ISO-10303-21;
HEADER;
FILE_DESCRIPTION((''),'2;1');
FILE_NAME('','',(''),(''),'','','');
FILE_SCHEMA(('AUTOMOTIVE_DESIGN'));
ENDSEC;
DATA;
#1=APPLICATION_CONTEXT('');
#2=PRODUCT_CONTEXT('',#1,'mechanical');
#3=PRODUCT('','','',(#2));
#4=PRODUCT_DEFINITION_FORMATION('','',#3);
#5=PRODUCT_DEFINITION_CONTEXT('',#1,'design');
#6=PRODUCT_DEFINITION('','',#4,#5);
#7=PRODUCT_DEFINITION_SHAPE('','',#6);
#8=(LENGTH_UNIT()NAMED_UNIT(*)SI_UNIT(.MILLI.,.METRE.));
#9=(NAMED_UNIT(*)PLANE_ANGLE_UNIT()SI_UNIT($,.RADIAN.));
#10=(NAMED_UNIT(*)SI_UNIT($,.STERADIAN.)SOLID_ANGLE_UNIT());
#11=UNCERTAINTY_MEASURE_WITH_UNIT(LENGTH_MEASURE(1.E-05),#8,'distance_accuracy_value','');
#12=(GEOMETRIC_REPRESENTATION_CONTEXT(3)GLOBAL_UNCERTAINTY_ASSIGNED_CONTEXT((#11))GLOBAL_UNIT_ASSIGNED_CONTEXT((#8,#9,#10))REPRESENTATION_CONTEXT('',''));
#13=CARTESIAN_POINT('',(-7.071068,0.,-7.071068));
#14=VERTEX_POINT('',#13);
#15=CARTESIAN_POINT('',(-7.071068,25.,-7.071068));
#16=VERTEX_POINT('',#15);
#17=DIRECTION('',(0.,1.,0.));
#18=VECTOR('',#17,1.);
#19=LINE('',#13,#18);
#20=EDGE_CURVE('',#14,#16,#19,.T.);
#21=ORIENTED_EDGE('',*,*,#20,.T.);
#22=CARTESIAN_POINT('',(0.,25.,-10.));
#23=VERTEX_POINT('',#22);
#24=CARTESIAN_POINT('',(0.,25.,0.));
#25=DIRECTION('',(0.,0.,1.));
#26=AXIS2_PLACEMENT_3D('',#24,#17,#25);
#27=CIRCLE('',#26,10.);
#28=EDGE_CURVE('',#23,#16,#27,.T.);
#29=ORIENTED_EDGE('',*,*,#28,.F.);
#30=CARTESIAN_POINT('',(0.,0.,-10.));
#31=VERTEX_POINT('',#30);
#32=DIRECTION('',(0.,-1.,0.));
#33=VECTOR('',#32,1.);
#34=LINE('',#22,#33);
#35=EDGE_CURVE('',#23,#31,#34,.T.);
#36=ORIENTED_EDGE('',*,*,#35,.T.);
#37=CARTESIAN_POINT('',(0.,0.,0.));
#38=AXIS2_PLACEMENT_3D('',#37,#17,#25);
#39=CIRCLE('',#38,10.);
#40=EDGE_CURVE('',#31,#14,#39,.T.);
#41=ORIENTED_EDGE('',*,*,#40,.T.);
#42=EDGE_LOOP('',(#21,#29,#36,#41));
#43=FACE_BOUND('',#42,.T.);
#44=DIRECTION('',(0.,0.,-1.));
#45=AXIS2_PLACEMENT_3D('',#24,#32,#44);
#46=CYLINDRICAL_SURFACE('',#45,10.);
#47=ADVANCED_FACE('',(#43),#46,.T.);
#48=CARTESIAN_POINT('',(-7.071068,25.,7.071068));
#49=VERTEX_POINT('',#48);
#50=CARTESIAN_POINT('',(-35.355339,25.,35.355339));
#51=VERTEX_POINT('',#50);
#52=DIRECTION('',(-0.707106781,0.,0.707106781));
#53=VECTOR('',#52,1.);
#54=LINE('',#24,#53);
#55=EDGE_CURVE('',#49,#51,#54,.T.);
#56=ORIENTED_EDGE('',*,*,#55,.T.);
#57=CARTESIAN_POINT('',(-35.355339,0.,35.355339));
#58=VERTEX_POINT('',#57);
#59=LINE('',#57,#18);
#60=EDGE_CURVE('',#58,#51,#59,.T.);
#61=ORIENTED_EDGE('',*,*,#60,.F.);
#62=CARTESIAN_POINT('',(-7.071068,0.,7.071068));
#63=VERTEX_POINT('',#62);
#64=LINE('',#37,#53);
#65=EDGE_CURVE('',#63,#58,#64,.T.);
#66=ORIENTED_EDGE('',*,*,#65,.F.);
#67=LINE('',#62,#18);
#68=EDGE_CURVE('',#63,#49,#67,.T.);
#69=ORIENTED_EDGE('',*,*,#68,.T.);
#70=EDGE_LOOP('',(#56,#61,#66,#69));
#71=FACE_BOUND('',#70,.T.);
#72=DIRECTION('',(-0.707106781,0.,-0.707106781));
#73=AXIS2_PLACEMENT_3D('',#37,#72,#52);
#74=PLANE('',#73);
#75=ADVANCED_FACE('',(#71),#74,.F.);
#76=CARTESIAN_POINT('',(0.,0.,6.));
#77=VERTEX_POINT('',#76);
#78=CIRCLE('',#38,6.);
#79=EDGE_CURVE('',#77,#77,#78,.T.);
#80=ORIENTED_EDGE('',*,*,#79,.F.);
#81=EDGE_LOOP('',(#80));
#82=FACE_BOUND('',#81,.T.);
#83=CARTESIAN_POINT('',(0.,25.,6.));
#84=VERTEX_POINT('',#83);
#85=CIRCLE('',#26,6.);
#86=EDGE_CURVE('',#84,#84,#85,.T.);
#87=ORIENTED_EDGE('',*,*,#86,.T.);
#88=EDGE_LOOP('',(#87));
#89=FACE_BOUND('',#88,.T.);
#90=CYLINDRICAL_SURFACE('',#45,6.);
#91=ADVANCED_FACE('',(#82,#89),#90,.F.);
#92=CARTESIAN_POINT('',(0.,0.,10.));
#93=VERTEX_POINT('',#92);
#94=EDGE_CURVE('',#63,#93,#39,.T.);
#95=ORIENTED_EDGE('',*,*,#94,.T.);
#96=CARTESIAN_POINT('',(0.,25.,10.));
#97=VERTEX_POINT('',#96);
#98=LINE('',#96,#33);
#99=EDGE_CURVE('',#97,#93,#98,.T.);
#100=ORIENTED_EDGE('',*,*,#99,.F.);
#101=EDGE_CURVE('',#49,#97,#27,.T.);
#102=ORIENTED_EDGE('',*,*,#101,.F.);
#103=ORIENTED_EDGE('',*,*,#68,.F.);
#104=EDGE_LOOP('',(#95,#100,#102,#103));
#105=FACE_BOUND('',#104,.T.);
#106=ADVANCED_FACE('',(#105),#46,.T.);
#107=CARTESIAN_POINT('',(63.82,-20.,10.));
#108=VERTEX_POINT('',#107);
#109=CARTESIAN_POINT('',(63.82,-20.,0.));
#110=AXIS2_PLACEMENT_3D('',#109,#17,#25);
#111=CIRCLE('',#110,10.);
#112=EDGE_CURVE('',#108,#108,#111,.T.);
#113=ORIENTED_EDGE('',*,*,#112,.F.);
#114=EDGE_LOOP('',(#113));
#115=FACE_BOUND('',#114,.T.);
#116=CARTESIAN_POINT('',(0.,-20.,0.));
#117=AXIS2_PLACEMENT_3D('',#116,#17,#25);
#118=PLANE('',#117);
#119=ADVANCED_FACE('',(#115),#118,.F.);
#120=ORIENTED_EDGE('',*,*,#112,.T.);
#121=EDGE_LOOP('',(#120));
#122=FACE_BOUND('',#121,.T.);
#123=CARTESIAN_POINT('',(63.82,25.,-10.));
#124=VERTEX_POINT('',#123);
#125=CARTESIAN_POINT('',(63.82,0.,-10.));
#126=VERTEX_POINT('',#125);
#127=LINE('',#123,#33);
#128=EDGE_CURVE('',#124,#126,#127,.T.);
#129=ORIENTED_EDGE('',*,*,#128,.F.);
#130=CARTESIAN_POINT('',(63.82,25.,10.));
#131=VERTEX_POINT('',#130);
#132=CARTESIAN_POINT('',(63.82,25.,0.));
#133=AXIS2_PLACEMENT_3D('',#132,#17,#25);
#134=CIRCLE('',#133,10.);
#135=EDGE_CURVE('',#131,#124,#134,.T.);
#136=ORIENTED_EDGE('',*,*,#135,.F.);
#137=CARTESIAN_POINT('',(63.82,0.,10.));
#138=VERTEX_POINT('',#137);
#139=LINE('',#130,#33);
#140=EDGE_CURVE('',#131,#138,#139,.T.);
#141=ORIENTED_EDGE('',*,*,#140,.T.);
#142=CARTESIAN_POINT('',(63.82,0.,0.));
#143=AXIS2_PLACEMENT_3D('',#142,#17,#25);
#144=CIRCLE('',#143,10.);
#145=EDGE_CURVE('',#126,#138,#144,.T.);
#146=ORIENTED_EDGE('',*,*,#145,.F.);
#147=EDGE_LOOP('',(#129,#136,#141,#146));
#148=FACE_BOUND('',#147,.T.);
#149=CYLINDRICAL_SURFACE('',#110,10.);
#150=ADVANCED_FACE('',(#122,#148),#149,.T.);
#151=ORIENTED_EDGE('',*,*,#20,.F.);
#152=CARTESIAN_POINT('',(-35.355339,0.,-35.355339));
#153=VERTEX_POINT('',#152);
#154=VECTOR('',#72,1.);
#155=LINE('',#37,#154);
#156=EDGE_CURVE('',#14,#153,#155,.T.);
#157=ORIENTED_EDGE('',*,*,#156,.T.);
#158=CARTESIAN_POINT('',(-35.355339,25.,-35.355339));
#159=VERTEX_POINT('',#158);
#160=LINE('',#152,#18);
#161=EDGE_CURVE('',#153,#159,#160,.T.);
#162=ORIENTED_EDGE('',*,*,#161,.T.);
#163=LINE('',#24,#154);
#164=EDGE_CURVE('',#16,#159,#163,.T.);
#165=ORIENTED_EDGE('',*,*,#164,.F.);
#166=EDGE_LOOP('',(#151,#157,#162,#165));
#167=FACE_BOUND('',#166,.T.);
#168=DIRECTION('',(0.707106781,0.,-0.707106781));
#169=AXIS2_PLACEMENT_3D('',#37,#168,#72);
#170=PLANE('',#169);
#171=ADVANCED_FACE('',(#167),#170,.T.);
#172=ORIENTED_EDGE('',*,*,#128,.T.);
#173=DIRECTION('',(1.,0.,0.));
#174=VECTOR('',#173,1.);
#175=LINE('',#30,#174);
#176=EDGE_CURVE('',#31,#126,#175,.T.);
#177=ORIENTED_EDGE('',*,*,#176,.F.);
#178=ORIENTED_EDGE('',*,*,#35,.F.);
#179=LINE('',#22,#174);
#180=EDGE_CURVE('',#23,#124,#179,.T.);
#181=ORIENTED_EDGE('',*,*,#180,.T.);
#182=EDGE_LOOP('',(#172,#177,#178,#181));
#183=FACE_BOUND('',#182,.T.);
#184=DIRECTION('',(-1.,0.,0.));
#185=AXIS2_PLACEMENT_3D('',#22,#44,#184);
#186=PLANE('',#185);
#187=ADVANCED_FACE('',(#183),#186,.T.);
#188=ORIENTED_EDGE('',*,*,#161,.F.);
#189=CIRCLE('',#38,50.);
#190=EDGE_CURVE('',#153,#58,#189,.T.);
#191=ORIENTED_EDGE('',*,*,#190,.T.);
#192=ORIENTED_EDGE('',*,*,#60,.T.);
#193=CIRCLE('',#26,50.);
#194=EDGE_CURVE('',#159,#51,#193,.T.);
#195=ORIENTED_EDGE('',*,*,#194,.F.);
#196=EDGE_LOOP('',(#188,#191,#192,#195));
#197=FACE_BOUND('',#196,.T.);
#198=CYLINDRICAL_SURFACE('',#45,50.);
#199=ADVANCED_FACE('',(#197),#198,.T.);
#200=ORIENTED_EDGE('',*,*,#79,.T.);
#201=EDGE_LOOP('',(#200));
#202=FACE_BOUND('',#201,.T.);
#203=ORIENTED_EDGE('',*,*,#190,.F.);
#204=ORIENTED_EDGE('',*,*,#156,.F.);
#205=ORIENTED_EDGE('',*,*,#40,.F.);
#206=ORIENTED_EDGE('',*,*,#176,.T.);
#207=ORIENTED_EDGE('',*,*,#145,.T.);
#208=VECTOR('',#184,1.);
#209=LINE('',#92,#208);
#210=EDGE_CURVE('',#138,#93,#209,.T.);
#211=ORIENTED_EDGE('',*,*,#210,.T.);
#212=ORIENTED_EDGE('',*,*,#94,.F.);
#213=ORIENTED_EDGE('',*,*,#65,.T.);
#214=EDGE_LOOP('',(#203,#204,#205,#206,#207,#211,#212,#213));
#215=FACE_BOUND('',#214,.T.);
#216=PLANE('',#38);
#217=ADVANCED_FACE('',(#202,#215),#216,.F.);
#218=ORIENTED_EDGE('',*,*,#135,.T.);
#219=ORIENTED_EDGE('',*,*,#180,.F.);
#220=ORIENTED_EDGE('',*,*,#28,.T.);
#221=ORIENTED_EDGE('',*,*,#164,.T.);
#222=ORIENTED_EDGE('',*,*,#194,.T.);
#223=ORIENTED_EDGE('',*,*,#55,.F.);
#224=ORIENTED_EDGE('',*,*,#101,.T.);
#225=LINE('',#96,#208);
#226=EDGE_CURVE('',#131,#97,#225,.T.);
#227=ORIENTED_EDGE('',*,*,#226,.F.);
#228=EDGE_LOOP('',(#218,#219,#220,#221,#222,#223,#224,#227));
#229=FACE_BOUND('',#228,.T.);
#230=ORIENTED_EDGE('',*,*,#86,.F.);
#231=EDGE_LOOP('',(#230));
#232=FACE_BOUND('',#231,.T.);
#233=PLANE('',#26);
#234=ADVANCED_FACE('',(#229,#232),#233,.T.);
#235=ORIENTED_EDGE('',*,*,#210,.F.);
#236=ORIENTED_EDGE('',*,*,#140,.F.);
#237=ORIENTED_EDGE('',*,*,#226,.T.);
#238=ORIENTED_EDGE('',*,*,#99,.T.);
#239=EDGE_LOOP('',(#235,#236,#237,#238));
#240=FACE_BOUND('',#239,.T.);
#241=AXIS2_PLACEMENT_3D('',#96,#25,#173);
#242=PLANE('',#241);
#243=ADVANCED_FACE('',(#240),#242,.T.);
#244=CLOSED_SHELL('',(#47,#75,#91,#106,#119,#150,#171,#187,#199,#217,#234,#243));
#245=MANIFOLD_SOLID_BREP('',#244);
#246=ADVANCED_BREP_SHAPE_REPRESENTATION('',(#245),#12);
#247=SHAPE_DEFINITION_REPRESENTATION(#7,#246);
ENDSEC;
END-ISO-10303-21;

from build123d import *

# Parameters (mm, degrees)
SKETCH_2_R           = 6
EXTRUDE_1_DEPTH      = 25
EXTRUDE_2_DEPTH      = 25
EXTRUDE_2_DEPTH_BACK = 20
SKETCH_2_3_R         = 10
EXTRUDE_START        = -25
EXTRUDE_3_DEPTH      = 25


with BuildPart() as part:
    # 草图2 → 凸台-拉伸1 (new body)
    with BuildSketch(Plane(origin=(0, 0, 0), x_dir=(1, 0, 0), z_dir=(0, 1, 0))):
        with BuildLine():
            ThreePointArc((0, 10), (-4.694715628, 8.829475929), (-8.290375726, 5.591929035))
            Line((-8.290375726, 5.591929035), (-41.451878628, 27.959645174))
            ThreePointArc((-41.451878628, 27.959645174), (-50, 0), (-41.451878628, -27.959645174))
            Line((-41.451878628, -27.959645174), (-8.290375726, -5.591929035))
            ThreePointArc((-8.290375726, -5.591929035), (-4.694715628, -8.829475929), (0, -10))
            Line((0, -10), (63.82, -10))
            ThreePointArc((63.82, -10), (53.82, 0), (63.82, 10))
            Line((63.82, 10), (0, 10))
        make_face()
        Circle(SKETCH_2_R, mode=Mode.SUBTRACT)
    extrude(amount=EXTRUDE_1_DEPTH)

    # 草图2<3> → 凸台-拉伸2 (add, two sides: drawn at the far end of the back side and taken through both)
    with BuildSketch(Plane(origin=(0, 0, 0), x_dir=(1, 0, 0), z_dir=(0, 1, 0)).offset(-EXTRUDE_2_DEPTH_BACK)):
        with Locations((63.82, 0)):
            Circle(SKETCH_2_3_R)
    extrude(amount=EXTRUDE_2_DEPTH + EXTRUDE_2_DEPTH_BACK)

    # 草图3 → 凸台-拉伸3 (add)
    with BuildSketch(Plane(origin=(0, 25, 0), x_dir=(1, 0, 0), z_dir=(0, 1, 0)).offset(EXTRUDE_START)):
        with BuildLine():
            ThreePointArc((-8.290375726, 5.591929035), (-7.716245834, 6.360782203), (-7.071067812, 7.071067812))
            Line((-7.071067812, 7.071067812), (-35.355339059, 35.355339059))
            ThreePointArc((-35.355339059, 35.355339059), (-38.581229169, 31.803911014), (-41.451878628, 27.959645174))
            Line((-41.451878628, 27.959645174), (-8.290375726, 5.591929035))
        make_face()
        with BuildLine():
            Line((-35.355339059, -35.355339059), (-7.071067812, -7.071067812))
            ThreePointArc((-7.071067812, -7.071067812), (-7.716245834, -6.360782203), (-8.290375726, -5.591929035))
            Line((-8.290375726, -5.591929035), (-41.451878628, -27.959645174))
            ThreePointArc((-41.451878628, -27.959645174), (-38.581229169, -31.803911014), (-35.355339059, -35.355339059))
        make_face()
    extrude(amount=EXTRUDE_3_DEPTH)


solid = part.part
